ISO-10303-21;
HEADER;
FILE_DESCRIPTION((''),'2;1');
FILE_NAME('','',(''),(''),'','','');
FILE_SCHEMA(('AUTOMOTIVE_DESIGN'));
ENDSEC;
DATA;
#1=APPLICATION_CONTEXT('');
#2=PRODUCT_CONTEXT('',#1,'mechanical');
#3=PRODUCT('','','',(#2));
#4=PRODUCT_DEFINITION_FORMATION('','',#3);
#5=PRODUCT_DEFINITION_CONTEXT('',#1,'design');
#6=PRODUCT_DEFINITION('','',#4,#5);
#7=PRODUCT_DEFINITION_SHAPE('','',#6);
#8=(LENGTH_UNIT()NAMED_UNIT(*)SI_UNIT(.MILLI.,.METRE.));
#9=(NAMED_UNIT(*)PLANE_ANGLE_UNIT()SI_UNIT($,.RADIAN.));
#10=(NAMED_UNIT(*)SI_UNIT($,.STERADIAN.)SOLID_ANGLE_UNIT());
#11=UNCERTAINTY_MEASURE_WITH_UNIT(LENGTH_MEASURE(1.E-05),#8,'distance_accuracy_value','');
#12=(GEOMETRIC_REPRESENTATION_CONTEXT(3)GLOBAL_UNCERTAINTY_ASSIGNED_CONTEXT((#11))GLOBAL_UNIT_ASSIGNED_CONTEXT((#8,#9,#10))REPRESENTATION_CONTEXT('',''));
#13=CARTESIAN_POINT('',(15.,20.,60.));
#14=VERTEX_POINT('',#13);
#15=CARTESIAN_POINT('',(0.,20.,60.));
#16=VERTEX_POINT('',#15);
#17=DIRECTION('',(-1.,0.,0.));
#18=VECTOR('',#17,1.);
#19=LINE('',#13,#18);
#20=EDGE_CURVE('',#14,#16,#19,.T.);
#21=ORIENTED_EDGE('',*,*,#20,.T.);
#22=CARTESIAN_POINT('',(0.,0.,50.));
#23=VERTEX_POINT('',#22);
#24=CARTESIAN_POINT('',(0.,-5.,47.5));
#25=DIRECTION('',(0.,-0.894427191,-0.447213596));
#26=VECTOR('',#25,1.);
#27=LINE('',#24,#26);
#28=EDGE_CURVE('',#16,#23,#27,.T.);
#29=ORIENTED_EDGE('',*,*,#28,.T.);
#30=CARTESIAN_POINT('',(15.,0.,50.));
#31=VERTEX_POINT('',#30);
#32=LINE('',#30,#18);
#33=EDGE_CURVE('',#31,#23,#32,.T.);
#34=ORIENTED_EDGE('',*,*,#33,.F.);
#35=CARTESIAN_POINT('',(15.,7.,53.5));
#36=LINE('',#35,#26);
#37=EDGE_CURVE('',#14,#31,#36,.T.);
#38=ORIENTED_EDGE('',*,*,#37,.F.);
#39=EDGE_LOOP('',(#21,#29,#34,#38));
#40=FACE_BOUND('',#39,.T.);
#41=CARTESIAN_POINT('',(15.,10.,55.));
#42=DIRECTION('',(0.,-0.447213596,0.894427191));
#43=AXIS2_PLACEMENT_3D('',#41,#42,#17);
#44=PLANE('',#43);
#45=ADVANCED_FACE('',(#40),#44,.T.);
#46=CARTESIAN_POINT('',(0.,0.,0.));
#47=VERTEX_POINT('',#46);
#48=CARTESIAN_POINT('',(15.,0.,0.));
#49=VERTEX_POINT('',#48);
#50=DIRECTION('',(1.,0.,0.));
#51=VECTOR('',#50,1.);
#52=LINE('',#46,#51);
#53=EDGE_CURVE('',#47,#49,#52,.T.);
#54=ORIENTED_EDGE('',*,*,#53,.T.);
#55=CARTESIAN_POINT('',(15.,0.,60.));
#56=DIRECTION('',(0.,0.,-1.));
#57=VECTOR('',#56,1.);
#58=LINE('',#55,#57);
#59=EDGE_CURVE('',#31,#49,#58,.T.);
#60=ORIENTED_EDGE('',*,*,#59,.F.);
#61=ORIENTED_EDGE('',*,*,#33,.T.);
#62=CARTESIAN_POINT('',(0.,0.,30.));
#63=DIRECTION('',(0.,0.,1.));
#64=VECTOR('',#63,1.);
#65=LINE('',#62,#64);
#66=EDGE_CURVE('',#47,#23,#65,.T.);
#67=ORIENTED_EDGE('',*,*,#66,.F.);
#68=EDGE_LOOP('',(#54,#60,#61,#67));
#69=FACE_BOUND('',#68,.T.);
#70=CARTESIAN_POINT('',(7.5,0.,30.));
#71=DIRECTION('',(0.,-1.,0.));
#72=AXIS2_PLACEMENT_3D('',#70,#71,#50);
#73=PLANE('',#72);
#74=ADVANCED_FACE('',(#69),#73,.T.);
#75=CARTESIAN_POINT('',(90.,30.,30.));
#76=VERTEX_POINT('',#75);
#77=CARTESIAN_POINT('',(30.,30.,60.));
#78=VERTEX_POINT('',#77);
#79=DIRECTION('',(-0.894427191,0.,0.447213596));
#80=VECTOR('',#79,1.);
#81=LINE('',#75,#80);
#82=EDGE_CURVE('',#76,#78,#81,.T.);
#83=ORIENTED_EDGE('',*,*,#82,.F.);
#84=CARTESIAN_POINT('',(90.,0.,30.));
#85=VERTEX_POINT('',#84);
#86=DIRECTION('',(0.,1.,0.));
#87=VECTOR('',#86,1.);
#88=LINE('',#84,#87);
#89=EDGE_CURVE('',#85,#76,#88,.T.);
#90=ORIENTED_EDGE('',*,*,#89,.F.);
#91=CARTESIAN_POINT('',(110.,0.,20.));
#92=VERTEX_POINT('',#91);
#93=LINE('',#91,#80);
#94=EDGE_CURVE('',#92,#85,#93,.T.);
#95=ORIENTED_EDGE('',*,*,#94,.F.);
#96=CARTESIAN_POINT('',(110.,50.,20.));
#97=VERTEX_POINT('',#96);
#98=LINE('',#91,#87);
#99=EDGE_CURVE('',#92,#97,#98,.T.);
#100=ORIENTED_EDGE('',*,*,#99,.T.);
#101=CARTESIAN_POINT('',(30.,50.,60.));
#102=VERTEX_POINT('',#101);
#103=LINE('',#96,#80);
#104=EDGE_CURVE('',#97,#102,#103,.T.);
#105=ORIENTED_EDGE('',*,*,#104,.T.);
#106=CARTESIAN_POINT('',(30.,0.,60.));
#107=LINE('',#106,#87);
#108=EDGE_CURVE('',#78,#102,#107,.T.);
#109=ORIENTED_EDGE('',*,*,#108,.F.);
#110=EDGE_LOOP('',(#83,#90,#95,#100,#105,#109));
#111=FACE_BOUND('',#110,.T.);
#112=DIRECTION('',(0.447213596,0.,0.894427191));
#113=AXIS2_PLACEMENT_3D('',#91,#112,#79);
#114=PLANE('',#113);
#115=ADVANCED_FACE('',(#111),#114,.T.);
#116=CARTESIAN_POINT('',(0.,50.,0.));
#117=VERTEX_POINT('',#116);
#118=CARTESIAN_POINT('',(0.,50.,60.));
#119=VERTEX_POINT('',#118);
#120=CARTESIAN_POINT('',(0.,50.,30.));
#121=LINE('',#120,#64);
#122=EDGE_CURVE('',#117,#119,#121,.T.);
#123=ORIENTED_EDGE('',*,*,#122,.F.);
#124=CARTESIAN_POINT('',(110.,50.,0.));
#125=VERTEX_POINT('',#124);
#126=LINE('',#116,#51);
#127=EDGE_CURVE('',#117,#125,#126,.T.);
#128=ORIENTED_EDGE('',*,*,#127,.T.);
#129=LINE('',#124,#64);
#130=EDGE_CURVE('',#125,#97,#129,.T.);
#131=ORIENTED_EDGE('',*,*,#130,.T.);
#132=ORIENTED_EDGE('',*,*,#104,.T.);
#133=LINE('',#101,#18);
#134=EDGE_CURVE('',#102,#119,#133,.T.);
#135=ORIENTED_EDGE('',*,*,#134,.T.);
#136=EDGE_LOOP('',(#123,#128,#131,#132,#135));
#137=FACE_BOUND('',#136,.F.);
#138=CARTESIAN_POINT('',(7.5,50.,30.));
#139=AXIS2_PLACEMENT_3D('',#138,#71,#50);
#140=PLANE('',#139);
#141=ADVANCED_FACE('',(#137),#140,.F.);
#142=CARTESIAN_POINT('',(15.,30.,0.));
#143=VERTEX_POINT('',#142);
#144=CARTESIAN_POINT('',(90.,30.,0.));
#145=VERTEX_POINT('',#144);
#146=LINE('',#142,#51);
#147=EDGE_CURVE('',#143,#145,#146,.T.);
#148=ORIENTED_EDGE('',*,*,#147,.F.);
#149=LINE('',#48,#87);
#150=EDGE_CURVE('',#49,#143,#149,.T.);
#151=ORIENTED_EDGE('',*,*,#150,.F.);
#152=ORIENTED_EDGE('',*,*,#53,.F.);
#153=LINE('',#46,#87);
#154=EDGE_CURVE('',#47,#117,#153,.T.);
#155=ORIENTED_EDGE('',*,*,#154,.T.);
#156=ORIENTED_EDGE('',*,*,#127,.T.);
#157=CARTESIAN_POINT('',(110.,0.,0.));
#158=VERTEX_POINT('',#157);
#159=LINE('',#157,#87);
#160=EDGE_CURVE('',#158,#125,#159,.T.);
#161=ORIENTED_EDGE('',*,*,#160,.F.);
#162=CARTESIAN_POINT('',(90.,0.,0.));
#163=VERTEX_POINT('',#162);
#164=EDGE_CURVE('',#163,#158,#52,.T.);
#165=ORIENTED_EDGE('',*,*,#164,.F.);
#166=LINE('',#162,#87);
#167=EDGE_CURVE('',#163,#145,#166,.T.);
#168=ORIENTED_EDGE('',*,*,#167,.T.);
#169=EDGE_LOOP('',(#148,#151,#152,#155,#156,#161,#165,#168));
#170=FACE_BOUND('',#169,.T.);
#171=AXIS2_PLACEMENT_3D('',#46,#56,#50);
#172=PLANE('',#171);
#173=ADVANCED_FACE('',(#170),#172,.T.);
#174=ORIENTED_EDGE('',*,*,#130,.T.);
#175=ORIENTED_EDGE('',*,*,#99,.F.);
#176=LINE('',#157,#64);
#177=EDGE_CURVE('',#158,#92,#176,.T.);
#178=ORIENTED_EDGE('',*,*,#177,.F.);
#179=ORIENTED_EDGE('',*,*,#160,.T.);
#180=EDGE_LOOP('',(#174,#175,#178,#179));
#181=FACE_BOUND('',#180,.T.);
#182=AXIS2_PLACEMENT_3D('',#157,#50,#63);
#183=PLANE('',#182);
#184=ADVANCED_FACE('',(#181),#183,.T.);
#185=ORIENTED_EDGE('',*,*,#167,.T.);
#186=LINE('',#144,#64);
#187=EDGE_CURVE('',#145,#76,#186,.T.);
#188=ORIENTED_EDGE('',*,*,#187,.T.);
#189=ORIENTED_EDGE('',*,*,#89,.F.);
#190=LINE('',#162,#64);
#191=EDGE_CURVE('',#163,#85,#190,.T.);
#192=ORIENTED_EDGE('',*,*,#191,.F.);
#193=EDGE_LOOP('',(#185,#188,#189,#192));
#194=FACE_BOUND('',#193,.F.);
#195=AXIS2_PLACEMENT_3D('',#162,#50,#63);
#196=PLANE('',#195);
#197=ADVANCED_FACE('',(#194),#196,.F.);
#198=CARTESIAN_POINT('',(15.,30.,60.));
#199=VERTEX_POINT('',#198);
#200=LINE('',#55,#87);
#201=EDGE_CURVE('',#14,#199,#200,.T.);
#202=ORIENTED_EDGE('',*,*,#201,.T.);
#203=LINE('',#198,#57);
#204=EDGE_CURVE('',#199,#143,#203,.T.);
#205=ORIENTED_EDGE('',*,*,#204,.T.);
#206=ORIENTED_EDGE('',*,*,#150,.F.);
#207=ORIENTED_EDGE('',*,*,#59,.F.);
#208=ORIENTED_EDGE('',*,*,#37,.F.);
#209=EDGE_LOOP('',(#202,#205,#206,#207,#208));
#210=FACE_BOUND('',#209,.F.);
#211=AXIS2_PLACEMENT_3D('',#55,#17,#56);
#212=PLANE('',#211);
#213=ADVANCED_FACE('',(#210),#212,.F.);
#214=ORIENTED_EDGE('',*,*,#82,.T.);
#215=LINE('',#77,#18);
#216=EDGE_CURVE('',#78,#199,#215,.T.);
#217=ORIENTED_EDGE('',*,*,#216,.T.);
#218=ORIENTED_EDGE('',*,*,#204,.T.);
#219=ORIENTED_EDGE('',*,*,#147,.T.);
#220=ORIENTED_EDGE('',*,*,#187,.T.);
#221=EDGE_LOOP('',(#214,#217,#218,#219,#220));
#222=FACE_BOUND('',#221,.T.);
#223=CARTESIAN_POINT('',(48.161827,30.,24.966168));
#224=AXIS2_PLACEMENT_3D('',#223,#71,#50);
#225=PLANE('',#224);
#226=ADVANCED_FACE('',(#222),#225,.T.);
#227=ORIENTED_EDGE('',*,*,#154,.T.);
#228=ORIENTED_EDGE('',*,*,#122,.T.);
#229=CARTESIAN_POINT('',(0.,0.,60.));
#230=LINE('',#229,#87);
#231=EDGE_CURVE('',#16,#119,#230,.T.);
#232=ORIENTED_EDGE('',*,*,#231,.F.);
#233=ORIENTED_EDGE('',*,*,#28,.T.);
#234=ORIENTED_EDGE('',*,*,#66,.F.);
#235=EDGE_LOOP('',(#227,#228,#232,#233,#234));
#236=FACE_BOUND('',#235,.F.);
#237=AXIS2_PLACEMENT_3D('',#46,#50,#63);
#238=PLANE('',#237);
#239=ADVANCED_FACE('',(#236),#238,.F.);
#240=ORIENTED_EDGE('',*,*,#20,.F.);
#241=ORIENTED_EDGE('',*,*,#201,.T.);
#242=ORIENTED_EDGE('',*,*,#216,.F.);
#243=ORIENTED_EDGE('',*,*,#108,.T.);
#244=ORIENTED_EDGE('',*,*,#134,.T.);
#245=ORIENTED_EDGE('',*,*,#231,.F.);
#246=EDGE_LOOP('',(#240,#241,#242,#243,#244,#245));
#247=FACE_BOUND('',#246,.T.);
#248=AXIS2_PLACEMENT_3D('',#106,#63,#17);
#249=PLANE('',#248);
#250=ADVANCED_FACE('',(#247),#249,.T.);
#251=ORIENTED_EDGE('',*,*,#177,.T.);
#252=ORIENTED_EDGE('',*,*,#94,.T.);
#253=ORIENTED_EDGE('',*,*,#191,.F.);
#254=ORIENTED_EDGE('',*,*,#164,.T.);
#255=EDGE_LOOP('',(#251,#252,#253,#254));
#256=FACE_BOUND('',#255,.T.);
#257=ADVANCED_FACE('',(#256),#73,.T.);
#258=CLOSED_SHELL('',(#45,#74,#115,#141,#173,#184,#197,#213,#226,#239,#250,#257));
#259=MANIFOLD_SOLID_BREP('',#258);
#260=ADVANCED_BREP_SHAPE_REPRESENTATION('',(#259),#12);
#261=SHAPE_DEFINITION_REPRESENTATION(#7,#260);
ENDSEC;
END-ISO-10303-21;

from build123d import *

# Parameters (mm, degrees)
F0_W     = 15
F0_H     = 60
F1_DEPTH = 50
F2_DEPTH = 30
F3_SIZE2 = 10
F3_SIZE  = 20


with BuildPart() as f1:
    # F0 (on Front) → F1 (new body)
    with BuildSketch(Plane.XZ):
        with Locations((7.5, 30)):
            Rectangle(F0_W, F0_H)
        Polygon((15, 60), (15, 0), (90, 0), (90, 30), (30, 60), align=None)
        Polygon((90, 30), (90, 0), (110, 0), (110, 20), align=None)
    extrude(amount=-F1_DEPTH)

    # F0 (on Front) → F2 (cut)
    with BuildSketch(Plane.XZ):
        Polygon((15, 60), (15, 0), (90, 0), (90, 30), (30, 60), align=None)
    extrude(amount=-F2_DEPTH, mode=Mode.SUBTRACT)

    # F3
    f3_edges = [f1.edges().sort_by_distance(p)[0] for p in [
        (7.5, 0, 60),
    ]]
    f3_side = f1.faces().sort_by_distance((11.785714, 29.285714, 60))[0]
    chamfer(f3_edges, length=F3_SIZE, length2=F3_SIZE2, reference=f3_side)


solid = f1.part
